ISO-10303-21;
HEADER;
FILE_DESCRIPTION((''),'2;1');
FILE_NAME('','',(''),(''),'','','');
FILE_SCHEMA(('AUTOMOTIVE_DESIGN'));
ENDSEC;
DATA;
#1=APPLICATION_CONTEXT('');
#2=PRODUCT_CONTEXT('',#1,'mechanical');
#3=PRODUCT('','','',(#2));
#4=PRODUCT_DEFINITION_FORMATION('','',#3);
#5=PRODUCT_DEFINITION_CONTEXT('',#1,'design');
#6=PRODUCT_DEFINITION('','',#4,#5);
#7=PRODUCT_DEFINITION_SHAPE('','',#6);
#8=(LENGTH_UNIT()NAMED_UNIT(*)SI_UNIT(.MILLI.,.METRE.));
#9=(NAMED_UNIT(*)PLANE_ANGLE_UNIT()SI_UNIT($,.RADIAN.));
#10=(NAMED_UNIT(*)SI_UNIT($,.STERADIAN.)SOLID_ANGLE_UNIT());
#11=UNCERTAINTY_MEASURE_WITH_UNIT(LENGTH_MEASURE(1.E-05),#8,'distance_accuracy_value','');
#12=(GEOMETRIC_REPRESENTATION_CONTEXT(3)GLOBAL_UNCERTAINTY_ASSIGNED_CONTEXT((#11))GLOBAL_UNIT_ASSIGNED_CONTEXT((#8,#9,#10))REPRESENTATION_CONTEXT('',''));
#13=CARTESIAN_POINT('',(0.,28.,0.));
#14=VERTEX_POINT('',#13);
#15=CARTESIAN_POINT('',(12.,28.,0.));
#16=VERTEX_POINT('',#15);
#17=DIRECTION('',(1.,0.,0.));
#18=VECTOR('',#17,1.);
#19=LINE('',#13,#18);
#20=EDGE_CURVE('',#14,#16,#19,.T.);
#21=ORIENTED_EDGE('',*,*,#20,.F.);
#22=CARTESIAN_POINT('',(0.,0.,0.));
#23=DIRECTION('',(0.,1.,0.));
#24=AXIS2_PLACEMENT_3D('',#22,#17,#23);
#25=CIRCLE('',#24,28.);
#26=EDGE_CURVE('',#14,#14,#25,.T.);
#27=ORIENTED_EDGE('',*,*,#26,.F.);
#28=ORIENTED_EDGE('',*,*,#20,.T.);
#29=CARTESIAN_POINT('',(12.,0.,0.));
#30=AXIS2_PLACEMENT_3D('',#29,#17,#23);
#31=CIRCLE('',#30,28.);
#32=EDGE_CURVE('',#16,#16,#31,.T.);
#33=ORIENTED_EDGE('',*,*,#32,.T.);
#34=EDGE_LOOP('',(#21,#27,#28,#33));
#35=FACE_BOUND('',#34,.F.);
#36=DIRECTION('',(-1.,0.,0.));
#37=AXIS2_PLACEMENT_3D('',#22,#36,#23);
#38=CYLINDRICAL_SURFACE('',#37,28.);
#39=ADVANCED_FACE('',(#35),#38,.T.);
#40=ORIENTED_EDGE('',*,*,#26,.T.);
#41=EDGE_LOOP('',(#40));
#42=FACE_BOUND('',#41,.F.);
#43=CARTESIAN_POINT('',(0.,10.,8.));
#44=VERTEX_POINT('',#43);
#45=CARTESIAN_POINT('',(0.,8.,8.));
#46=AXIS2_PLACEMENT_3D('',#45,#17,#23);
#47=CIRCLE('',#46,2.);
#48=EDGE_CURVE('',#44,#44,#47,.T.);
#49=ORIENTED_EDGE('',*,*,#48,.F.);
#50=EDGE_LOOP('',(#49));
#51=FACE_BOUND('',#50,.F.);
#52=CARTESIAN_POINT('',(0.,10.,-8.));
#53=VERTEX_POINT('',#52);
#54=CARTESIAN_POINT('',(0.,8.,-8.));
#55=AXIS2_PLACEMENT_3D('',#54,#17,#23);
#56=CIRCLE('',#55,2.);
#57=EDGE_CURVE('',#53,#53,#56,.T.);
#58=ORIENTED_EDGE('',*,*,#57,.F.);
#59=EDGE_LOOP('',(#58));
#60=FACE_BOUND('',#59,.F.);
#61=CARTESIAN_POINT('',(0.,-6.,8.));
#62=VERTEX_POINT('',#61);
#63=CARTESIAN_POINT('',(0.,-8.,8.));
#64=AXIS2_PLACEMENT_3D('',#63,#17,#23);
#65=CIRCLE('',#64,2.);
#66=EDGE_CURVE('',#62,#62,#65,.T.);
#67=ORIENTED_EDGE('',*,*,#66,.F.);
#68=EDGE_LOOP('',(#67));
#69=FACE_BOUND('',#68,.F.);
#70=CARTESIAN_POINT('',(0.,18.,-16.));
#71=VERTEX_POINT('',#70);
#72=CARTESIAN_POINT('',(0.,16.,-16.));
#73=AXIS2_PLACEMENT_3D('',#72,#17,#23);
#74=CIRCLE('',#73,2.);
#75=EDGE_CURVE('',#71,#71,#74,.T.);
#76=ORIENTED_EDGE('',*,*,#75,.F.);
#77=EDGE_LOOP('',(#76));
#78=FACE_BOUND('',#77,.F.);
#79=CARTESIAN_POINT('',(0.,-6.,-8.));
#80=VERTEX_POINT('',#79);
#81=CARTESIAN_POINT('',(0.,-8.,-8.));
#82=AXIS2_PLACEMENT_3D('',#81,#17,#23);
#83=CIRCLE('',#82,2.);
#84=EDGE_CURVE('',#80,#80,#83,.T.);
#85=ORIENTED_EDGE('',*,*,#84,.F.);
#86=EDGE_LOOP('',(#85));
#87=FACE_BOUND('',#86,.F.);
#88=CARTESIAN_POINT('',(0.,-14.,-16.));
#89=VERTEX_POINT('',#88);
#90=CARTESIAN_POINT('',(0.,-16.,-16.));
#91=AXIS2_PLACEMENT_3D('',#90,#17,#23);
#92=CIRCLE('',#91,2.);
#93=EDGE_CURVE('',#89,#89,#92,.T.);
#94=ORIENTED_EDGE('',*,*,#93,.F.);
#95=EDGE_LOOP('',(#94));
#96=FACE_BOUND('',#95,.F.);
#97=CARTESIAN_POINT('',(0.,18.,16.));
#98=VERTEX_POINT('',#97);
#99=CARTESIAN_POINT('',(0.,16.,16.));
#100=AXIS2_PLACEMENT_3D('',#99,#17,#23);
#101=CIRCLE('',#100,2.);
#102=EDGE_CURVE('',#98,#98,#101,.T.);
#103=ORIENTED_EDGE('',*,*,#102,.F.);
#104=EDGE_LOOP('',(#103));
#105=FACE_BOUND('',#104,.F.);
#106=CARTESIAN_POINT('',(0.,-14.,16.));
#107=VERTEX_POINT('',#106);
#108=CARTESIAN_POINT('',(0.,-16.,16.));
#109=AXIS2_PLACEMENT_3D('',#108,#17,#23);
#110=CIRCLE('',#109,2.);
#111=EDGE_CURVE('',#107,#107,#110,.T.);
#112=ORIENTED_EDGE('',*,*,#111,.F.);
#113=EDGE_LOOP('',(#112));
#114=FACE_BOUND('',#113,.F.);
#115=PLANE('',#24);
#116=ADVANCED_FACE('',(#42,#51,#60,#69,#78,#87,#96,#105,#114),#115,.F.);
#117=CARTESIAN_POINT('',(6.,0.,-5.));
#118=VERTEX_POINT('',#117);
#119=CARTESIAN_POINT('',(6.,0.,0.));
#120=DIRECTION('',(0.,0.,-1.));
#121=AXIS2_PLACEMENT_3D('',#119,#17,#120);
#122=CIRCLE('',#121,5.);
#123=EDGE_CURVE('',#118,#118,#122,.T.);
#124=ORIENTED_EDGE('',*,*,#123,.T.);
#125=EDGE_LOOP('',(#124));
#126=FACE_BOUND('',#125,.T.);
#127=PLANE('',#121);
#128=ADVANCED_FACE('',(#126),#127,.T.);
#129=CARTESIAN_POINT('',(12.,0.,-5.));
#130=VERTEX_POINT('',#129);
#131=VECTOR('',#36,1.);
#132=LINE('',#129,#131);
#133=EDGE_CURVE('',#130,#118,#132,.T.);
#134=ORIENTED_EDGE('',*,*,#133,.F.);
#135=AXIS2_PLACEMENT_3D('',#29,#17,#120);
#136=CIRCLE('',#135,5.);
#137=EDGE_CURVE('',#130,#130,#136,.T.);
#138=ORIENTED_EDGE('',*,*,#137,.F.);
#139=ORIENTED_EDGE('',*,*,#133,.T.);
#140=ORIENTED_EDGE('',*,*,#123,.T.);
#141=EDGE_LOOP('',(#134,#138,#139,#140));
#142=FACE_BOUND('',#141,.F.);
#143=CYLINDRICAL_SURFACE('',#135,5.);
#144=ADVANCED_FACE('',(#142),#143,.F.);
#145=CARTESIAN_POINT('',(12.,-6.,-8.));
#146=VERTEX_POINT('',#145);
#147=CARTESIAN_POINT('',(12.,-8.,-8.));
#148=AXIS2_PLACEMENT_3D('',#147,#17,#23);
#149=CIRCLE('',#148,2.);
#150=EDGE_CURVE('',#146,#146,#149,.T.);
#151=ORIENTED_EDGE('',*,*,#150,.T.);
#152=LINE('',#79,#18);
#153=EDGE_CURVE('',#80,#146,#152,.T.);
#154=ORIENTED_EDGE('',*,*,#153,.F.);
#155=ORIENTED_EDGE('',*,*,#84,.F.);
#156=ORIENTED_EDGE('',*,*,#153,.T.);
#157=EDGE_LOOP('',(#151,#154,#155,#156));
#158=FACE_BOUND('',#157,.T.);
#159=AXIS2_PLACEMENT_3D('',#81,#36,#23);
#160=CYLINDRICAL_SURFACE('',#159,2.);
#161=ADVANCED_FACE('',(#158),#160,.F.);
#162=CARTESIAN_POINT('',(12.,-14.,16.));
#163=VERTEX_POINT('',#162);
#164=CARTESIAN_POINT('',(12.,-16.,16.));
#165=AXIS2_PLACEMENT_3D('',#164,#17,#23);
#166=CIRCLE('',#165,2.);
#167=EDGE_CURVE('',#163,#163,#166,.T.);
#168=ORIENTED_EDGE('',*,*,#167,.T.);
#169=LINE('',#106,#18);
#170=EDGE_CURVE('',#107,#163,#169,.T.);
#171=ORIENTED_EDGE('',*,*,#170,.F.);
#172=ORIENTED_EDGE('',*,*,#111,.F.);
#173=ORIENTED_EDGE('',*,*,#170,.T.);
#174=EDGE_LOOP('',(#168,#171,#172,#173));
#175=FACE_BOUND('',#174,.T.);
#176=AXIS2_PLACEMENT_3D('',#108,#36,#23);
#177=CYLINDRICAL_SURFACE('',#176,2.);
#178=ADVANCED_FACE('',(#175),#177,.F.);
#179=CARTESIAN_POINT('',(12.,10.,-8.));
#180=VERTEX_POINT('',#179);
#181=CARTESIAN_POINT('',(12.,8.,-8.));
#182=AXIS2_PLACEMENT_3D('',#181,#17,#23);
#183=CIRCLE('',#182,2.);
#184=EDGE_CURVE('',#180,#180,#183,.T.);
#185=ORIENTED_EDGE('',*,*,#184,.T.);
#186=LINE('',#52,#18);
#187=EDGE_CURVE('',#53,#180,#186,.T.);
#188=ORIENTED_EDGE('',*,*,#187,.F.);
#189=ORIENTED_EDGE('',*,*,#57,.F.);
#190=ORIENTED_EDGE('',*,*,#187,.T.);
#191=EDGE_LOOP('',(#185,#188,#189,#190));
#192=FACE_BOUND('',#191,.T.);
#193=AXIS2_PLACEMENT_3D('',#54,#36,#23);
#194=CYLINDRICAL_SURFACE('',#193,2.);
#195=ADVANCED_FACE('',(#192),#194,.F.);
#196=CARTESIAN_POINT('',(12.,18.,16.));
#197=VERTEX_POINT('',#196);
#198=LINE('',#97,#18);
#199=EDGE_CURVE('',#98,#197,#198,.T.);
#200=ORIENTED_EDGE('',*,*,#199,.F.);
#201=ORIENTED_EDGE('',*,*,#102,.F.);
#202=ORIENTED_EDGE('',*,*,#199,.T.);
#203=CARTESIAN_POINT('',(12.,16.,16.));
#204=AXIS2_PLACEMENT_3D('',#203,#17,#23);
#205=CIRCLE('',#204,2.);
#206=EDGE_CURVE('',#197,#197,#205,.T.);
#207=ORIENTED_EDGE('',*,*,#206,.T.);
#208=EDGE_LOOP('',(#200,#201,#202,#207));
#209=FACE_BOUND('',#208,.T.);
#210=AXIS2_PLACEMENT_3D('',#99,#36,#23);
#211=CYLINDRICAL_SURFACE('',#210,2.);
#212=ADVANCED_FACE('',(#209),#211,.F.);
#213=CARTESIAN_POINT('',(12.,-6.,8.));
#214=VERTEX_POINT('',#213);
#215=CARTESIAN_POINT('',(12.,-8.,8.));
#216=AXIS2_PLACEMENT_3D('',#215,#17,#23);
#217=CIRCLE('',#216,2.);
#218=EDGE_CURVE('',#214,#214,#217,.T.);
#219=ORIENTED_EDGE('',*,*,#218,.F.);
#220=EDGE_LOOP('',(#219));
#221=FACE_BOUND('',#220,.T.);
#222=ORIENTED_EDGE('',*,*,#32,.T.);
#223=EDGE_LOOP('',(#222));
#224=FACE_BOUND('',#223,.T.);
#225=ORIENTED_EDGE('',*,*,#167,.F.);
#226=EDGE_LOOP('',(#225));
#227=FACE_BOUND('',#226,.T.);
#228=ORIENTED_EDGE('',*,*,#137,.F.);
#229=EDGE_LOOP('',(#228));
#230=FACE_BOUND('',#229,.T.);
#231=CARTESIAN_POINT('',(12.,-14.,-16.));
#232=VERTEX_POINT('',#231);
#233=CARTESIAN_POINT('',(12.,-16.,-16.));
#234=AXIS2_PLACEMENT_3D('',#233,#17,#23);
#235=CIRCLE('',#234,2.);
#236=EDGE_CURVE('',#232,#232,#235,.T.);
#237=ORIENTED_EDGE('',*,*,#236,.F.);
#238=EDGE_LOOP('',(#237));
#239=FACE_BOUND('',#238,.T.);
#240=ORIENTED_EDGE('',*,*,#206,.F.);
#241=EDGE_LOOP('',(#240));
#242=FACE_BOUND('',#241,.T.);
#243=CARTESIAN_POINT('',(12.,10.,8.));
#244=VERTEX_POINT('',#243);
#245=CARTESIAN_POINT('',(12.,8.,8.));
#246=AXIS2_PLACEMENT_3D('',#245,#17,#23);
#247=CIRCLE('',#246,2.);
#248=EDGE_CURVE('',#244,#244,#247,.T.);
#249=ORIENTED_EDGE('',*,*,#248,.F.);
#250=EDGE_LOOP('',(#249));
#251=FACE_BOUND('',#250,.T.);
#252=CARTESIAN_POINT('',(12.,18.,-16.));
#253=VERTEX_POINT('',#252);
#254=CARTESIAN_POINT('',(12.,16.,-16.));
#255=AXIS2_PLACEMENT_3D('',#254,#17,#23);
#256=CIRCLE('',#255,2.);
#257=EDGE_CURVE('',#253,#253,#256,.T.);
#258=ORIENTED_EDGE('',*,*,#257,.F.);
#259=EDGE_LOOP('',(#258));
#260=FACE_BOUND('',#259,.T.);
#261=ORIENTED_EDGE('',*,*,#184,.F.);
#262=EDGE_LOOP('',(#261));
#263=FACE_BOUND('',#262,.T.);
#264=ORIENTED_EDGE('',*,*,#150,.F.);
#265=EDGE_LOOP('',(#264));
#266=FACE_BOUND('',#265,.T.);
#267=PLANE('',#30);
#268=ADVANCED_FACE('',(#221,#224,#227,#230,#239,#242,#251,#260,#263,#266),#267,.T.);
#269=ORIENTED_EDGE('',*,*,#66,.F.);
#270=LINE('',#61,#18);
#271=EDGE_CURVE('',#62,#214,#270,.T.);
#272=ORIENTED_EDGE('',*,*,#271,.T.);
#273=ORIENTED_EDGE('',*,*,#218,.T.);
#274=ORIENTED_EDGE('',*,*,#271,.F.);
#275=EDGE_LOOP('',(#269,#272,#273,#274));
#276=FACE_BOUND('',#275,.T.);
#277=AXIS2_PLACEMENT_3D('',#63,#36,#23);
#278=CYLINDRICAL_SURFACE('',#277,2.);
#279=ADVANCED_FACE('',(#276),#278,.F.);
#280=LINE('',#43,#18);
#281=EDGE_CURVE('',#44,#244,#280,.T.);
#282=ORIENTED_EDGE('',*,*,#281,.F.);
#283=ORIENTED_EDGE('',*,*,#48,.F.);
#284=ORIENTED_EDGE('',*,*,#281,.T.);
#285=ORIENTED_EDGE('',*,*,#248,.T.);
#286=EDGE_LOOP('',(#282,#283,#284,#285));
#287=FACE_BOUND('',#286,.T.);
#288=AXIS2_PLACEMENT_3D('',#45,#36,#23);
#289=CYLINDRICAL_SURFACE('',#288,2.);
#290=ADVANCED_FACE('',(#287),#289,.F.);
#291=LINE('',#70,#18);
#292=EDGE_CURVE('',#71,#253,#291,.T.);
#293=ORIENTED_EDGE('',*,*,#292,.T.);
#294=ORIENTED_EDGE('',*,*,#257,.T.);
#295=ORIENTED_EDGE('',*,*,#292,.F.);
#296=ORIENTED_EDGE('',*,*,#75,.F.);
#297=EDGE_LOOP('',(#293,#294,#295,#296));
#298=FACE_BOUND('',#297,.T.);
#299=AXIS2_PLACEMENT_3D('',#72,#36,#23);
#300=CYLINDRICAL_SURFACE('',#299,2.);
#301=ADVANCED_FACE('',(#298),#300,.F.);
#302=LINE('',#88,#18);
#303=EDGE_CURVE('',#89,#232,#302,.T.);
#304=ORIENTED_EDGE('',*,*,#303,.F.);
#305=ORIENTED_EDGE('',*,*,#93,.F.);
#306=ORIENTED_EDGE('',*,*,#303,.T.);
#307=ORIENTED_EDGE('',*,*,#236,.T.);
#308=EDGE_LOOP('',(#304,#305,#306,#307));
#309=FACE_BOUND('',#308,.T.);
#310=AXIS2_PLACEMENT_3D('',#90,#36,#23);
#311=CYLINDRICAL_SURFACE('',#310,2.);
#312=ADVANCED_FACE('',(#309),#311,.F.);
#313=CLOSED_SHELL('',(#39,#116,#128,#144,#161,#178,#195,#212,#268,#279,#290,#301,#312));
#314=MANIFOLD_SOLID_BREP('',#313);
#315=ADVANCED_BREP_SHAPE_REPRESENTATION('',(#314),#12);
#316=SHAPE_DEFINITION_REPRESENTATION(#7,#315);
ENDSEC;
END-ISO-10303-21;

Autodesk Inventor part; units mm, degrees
ref_plane "YZ Plane" through (0, 0, 0) normal (1, 0, 0) x (0, 1, 0)
ref_plane "XZ Plane" through (0, 0, 0) normal (0, 1, 0) x (-1, 0, 0)
ref_plane "XY Plane" through (0, 0, 0) normal (0, 0, 1) x (1, 0, 0)
sketch "Sketch1" plane through (0, 0, 0) normal (1, 0, 0) x (0, 1, 0)
  circle A0 centre (0, 0) radius 16 construction
  circle A1 centre (8, 8) radius 2
  circle A2 centre (-8, 8) radius 2
  circle A3 centre (-8, -8) radius 2
  circle A4 centre (8, -8) radius 2
  circle A5 centre (0, 0) radius 28
  circle A6 centre (16, 16) radius 2
  line L0 (0, 0) -> (0, -16) construction
  circle A7 centre (-16, 16) radius 2
  line L1 (0, 0) -> (-16, 0) construction
  circle A8 centre (16, -16) radius 2
  circle A9 centre (-16, -16) radius 2
  dimension "d0" = 32
  dimension "d1" = 4
  dimension "d2" = 8
  dimension "d3" = 8
  dimension "d6" = 360
  dimension "d8" = 56
  dimension "d9" = 4
  dimension "d10" = 16
  dimension "d11" = 16
extrude "Extrusion1" add sketch "Sketch1" along normal blind 12
thread "Thread1" size "M4x0.7" class "6H" standard "ANSI Metric M Profile" full length
thread "Thread2" size "M4x0.7" class "6H" standard "ANSI Metric M Profile" full length
thread "Thread3" size "M4x0.7" class "6H" standard "ANSI Metric M Profile" full length
thread "Thread4" size "M4x0.7" class "6H" standard "ANSI Metric M Profile" full length
thread "Thread5" size "M4x0.7" class "6H" standard "ANSI Metric M Profile" full length
thread "Thread6" size "M4x0.7" class "6H" standard "ANSI Metric M Profile" full length
thread "Thread7" size "M4x0.7" class "6H" standard "ANSI Metric M Profile" full length
thread "Thread8" size "M4x0.7" class "6H" standard "ANSI Metric M Profile" full length
sketch "Sketch2" plane through (12, 0, 0) normal (1, 0, 0) x (0, 0, -1)
  circle A0 centre (0, 0) radius 5
  dimension "d30" = 10
extrude "Extrusion2" cut sketch "Sketch2" against normal blind 6
properties part number "EndEffectorThreadedSupport" material "Aluminum 6061"
